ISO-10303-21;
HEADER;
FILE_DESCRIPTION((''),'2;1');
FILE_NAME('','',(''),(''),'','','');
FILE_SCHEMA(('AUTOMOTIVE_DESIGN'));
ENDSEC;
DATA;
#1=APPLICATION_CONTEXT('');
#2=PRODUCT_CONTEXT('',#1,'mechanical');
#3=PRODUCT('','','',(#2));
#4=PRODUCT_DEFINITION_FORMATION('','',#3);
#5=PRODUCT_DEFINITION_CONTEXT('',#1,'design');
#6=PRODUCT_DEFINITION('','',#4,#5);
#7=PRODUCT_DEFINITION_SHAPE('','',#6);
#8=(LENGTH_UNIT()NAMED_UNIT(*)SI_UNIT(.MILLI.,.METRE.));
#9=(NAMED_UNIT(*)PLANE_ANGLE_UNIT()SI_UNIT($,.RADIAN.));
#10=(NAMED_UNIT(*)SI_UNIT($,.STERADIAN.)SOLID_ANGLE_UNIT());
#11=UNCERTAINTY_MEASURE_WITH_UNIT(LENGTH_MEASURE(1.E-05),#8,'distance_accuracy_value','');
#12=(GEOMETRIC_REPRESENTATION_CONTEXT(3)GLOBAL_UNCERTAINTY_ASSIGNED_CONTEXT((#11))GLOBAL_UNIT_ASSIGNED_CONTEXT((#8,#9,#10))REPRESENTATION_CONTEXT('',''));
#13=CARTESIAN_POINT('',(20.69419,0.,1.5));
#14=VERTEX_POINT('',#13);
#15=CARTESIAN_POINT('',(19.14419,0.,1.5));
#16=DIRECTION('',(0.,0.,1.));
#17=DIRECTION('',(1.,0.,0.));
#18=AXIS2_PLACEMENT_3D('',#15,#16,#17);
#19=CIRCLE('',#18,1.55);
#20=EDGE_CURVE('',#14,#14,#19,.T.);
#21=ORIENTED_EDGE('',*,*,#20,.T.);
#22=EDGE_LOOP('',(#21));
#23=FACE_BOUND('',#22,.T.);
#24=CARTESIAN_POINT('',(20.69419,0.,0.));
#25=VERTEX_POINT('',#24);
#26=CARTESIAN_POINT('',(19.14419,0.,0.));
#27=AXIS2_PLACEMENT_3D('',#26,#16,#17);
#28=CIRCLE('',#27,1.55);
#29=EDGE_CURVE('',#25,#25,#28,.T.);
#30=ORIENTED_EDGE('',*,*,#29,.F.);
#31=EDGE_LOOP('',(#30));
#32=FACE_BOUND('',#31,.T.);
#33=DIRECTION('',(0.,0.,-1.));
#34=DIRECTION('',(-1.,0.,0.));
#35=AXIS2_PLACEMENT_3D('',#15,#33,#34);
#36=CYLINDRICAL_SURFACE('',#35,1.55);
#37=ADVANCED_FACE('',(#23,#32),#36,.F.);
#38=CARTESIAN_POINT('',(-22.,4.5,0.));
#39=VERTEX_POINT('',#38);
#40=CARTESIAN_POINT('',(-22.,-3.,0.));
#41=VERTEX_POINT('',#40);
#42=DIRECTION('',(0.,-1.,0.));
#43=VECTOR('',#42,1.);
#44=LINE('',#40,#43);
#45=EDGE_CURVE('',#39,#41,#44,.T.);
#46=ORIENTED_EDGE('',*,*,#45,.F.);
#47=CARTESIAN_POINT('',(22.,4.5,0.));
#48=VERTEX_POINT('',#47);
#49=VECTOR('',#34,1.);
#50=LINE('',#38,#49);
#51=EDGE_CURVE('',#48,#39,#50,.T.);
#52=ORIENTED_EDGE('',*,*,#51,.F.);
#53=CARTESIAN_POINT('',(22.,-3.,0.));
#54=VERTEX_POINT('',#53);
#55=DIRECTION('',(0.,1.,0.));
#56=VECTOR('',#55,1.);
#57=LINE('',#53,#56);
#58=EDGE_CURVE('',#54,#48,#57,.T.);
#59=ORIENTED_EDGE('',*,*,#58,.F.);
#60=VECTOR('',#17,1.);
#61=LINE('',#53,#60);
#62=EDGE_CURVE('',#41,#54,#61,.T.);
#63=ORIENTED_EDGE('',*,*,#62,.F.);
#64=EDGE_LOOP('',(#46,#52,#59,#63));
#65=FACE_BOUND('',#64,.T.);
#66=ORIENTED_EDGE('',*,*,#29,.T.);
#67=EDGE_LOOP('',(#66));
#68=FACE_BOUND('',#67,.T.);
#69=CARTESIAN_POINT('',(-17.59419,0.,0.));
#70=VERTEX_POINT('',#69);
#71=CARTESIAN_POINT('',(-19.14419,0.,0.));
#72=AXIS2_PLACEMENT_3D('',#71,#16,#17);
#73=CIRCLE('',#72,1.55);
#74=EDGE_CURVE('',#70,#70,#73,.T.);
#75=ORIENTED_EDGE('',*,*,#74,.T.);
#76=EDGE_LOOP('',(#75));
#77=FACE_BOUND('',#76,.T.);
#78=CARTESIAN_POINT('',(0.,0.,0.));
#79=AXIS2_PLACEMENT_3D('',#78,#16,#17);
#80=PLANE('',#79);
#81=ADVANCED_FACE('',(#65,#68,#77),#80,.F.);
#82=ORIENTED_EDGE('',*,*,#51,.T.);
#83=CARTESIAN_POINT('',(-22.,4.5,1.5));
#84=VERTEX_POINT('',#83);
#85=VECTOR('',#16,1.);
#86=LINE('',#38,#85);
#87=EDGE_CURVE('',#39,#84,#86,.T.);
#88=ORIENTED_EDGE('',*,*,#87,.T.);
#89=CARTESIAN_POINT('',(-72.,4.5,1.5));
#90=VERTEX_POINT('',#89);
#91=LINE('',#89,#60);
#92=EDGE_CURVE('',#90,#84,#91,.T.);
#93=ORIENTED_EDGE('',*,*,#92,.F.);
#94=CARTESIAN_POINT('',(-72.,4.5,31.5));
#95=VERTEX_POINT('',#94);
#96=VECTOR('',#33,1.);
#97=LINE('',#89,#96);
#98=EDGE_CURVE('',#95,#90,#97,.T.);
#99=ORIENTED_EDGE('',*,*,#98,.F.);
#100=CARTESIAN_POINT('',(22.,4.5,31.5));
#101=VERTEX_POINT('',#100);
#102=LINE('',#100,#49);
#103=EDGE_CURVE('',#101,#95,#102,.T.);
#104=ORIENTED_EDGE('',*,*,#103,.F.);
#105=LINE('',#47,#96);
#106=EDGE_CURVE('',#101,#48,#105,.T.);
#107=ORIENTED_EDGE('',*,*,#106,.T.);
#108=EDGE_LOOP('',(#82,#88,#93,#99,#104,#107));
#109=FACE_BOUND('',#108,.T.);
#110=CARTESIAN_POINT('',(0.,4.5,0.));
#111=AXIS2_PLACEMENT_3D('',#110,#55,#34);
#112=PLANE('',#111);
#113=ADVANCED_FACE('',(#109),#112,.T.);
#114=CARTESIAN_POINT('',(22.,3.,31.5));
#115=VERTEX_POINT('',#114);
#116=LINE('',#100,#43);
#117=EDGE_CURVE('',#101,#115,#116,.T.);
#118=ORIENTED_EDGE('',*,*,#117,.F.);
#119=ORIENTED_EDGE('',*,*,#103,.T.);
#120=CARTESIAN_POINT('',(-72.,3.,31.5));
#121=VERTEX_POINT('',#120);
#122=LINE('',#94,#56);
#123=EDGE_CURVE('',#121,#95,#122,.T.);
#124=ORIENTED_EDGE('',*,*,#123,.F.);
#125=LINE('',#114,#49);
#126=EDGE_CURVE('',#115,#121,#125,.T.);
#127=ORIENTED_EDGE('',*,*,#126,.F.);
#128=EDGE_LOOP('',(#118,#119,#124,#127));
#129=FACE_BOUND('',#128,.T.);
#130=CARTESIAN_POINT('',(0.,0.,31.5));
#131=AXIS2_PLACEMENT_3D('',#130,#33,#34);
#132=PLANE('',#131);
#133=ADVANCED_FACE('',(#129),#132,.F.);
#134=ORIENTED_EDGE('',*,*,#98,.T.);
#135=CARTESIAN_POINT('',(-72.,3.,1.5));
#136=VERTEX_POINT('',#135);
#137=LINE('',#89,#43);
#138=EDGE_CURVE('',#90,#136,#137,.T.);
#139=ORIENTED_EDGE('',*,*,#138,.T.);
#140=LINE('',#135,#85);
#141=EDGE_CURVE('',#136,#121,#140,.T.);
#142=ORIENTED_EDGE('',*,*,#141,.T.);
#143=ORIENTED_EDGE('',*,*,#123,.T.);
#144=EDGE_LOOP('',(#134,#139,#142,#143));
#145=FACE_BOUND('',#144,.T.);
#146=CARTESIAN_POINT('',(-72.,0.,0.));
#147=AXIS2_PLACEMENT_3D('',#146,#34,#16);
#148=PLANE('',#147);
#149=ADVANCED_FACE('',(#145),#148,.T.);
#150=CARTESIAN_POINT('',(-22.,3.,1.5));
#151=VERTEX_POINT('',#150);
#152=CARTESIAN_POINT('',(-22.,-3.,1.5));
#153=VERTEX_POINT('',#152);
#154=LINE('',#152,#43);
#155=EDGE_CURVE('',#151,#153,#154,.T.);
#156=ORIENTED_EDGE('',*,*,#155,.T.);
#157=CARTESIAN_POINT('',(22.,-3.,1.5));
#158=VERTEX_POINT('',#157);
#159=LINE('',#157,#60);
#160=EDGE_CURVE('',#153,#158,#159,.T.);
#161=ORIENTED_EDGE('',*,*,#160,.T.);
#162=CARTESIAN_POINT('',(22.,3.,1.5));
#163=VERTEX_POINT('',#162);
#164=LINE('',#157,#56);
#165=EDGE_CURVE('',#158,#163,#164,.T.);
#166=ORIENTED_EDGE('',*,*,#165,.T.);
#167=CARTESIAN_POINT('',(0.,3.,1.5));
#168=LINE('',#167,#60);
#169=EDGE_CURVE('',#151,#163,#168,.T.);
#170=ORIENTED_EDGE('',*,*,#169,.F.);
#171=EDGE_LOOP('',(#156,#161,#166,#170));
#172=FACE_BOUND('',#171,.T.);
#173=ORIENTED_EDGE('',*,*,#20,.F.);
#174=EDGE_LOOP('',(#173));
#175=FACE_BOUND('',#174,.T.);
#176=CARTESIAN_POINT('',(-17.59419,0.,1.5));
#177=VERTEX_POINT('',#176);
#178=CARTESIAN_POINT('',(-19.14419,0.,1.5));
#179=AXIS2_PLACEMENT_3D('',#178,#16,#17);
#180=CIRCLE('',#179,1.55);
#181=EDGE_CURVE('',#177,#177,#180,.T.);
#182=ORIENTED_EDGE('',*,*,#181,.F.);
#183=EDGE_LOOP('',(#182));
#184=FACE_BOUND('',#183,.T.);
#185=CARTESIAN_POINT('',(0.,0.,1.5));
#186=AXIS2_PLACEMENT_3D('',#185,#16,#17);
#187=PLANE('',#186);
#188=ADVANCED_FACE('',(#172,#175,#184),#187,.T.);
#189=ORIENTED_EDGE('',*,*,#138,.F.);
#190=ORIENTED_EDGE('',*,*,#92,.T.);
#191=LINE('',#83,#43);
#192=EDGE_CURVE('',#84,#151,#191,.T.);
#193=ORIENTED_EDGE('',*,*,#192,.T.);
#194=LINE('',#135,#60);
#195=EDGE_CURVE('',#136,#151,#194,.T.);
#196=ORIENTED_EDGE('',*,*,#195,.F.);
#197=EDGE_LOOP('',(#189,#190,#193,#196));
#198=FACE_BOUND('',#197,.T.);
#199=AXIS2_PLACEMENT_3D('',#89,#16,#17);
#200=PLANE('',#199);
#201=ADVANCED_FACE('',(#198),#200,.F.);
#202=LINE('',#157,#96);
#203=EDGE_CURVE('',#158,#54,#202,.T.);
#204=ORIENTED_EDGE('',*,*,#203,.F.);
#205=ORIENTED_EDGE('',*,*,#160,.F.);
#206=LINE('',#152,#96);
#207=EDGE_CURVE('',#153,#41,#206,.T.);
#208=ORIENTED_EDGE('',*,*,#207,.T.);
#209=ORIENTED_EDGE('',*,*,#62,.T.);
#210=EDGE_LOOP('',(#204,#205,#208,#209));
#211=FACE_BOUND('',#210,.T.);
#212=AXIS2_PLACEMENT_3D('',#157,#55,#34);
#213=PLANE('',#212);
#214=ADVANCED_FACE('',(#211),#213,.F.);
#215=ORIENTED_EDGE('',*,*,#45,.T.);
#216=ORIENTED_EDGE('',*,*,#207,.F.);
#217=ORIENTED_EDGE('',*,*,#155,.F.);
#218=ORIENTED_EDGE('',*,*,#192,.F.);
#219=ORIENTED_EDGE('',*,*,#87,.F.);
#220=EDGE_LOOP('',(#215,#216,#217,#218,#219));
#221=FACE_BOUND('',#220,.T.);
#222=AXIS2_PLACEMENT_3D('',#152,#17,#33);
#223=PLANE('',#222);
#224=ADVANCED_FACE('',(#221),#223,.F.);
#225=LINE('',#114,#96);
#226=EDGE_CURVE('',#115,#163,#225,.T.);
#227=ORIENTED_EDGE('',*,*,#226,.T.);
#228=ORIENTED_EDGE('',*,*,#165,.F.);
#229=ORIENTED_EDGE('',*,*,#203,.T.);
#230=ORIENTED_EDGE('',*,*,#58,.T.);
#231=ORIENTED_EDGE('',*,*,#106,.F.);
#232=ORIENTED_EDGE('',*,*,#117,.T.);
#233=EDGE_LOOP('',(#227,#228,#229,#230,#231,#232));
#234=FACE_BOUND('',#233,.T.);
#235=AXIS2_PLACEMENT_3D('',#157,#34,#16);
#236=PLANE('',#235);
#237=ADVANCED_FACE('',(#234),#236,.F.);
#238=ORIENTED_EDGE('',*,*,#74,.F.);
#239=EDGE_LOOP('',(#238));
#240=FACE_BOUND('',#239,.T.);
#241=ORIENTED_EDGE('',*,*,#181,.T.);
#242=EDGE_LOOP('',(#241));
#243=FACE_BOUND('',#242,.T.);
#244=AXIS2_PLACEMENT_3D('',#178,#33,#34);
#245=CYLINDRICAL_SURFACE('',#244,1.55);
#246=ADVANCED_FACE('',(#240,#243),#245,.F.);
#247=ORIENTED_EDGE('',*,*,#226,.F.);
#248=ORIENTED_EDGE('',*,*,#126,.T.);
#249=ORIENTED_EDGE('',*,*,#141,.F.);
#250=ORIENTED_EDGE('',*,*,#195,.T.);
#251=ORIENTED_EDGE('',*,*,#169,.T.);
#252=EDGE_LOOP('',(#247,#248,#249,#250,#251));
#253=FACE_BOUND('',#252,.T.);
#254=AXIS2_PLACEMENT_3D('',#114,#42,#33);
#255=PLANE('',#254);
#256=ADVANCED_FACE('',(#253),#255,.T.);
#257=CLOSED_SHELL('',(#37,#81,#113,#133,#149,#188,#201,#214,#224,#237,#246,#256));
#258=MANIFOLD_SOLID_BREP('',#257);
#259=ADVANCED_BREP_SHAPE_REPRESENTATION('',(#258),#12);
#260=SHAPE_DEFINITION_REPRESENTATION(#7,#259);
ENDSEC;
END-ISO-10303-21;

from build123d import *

# Parameters (mm, degrees)
SKETCH_1_W      = 44
SKETCH_1_H      = 6
SKETCH_1_R      = 1.55
EXTRUDE_1_DEPTH = 1.5
SKETCH_2_W      = 44
SKETCH_2_H      = 1.5
EXTRUDE_2_DEPTH = 1.5
SKETCH_4_W      = 44
SKETCH_4_H      = 1.5
EXTRUDE_4_DEPTH = 31.5
SKETCH_6_W      = 30
SKETCH_6_H      = 1.5
EXTRUDE_5_DEPTH = 50


with BuildPart() as part:
    # 草图1 → 凸台-拉伸1 (new body)
    with BuildSketch(Plane.XY):
        Rectangle(SKETCH_1_W, SKETCH_1_H)
        with Locations((-19.14418972, 0)):
            Circle(SKETCH_1_R, mode=Mode.SUBTRACT)
        with Locations((19.14418972, 0)):
            Circle(SKETCH_1_R, mode=Mode.SUBTRACT)
    extrude(amount=EXTRUDE_1_DEPTH)

    # 草图2 → 凸台-拉伸2 (add)
    with BuildSketch(Plane(origin=(0, 3, 0), x_dir=(1, 0, 0), z_dir=(0, 1, 0))):
        with Locations((0, -0.75)):
            Rectangle(SKETCH_2_W, SKETCH_2_H)
    extrude(amount=EXTRUDE_2_DEPTH)

    # 草图4 → 凸台-拉伸4 (add)
    with BuildSketch(Plane(origin=(0, 0, 0), x_dir=(-1, 0, 0), z_dir=(0, 0, -1))):
        with Locations((0, 3.75)):
            Rectangle(SKETCH_4_W, SKETCH_4_H)
    extrude(amount=-EXTRUDE_4_DEPTH)

    # 草图6 → 凸台-拉伸5 (add)
    with BuildSketch(Plane.ZY.offset(22)):
        with Locations((16.5, 3.75)):
            Rectangle(SKETCH_6_W, SKETCH_6_H)
    extrude(amount=EXTRUDE_5_DEPTH)


solid = part.part
